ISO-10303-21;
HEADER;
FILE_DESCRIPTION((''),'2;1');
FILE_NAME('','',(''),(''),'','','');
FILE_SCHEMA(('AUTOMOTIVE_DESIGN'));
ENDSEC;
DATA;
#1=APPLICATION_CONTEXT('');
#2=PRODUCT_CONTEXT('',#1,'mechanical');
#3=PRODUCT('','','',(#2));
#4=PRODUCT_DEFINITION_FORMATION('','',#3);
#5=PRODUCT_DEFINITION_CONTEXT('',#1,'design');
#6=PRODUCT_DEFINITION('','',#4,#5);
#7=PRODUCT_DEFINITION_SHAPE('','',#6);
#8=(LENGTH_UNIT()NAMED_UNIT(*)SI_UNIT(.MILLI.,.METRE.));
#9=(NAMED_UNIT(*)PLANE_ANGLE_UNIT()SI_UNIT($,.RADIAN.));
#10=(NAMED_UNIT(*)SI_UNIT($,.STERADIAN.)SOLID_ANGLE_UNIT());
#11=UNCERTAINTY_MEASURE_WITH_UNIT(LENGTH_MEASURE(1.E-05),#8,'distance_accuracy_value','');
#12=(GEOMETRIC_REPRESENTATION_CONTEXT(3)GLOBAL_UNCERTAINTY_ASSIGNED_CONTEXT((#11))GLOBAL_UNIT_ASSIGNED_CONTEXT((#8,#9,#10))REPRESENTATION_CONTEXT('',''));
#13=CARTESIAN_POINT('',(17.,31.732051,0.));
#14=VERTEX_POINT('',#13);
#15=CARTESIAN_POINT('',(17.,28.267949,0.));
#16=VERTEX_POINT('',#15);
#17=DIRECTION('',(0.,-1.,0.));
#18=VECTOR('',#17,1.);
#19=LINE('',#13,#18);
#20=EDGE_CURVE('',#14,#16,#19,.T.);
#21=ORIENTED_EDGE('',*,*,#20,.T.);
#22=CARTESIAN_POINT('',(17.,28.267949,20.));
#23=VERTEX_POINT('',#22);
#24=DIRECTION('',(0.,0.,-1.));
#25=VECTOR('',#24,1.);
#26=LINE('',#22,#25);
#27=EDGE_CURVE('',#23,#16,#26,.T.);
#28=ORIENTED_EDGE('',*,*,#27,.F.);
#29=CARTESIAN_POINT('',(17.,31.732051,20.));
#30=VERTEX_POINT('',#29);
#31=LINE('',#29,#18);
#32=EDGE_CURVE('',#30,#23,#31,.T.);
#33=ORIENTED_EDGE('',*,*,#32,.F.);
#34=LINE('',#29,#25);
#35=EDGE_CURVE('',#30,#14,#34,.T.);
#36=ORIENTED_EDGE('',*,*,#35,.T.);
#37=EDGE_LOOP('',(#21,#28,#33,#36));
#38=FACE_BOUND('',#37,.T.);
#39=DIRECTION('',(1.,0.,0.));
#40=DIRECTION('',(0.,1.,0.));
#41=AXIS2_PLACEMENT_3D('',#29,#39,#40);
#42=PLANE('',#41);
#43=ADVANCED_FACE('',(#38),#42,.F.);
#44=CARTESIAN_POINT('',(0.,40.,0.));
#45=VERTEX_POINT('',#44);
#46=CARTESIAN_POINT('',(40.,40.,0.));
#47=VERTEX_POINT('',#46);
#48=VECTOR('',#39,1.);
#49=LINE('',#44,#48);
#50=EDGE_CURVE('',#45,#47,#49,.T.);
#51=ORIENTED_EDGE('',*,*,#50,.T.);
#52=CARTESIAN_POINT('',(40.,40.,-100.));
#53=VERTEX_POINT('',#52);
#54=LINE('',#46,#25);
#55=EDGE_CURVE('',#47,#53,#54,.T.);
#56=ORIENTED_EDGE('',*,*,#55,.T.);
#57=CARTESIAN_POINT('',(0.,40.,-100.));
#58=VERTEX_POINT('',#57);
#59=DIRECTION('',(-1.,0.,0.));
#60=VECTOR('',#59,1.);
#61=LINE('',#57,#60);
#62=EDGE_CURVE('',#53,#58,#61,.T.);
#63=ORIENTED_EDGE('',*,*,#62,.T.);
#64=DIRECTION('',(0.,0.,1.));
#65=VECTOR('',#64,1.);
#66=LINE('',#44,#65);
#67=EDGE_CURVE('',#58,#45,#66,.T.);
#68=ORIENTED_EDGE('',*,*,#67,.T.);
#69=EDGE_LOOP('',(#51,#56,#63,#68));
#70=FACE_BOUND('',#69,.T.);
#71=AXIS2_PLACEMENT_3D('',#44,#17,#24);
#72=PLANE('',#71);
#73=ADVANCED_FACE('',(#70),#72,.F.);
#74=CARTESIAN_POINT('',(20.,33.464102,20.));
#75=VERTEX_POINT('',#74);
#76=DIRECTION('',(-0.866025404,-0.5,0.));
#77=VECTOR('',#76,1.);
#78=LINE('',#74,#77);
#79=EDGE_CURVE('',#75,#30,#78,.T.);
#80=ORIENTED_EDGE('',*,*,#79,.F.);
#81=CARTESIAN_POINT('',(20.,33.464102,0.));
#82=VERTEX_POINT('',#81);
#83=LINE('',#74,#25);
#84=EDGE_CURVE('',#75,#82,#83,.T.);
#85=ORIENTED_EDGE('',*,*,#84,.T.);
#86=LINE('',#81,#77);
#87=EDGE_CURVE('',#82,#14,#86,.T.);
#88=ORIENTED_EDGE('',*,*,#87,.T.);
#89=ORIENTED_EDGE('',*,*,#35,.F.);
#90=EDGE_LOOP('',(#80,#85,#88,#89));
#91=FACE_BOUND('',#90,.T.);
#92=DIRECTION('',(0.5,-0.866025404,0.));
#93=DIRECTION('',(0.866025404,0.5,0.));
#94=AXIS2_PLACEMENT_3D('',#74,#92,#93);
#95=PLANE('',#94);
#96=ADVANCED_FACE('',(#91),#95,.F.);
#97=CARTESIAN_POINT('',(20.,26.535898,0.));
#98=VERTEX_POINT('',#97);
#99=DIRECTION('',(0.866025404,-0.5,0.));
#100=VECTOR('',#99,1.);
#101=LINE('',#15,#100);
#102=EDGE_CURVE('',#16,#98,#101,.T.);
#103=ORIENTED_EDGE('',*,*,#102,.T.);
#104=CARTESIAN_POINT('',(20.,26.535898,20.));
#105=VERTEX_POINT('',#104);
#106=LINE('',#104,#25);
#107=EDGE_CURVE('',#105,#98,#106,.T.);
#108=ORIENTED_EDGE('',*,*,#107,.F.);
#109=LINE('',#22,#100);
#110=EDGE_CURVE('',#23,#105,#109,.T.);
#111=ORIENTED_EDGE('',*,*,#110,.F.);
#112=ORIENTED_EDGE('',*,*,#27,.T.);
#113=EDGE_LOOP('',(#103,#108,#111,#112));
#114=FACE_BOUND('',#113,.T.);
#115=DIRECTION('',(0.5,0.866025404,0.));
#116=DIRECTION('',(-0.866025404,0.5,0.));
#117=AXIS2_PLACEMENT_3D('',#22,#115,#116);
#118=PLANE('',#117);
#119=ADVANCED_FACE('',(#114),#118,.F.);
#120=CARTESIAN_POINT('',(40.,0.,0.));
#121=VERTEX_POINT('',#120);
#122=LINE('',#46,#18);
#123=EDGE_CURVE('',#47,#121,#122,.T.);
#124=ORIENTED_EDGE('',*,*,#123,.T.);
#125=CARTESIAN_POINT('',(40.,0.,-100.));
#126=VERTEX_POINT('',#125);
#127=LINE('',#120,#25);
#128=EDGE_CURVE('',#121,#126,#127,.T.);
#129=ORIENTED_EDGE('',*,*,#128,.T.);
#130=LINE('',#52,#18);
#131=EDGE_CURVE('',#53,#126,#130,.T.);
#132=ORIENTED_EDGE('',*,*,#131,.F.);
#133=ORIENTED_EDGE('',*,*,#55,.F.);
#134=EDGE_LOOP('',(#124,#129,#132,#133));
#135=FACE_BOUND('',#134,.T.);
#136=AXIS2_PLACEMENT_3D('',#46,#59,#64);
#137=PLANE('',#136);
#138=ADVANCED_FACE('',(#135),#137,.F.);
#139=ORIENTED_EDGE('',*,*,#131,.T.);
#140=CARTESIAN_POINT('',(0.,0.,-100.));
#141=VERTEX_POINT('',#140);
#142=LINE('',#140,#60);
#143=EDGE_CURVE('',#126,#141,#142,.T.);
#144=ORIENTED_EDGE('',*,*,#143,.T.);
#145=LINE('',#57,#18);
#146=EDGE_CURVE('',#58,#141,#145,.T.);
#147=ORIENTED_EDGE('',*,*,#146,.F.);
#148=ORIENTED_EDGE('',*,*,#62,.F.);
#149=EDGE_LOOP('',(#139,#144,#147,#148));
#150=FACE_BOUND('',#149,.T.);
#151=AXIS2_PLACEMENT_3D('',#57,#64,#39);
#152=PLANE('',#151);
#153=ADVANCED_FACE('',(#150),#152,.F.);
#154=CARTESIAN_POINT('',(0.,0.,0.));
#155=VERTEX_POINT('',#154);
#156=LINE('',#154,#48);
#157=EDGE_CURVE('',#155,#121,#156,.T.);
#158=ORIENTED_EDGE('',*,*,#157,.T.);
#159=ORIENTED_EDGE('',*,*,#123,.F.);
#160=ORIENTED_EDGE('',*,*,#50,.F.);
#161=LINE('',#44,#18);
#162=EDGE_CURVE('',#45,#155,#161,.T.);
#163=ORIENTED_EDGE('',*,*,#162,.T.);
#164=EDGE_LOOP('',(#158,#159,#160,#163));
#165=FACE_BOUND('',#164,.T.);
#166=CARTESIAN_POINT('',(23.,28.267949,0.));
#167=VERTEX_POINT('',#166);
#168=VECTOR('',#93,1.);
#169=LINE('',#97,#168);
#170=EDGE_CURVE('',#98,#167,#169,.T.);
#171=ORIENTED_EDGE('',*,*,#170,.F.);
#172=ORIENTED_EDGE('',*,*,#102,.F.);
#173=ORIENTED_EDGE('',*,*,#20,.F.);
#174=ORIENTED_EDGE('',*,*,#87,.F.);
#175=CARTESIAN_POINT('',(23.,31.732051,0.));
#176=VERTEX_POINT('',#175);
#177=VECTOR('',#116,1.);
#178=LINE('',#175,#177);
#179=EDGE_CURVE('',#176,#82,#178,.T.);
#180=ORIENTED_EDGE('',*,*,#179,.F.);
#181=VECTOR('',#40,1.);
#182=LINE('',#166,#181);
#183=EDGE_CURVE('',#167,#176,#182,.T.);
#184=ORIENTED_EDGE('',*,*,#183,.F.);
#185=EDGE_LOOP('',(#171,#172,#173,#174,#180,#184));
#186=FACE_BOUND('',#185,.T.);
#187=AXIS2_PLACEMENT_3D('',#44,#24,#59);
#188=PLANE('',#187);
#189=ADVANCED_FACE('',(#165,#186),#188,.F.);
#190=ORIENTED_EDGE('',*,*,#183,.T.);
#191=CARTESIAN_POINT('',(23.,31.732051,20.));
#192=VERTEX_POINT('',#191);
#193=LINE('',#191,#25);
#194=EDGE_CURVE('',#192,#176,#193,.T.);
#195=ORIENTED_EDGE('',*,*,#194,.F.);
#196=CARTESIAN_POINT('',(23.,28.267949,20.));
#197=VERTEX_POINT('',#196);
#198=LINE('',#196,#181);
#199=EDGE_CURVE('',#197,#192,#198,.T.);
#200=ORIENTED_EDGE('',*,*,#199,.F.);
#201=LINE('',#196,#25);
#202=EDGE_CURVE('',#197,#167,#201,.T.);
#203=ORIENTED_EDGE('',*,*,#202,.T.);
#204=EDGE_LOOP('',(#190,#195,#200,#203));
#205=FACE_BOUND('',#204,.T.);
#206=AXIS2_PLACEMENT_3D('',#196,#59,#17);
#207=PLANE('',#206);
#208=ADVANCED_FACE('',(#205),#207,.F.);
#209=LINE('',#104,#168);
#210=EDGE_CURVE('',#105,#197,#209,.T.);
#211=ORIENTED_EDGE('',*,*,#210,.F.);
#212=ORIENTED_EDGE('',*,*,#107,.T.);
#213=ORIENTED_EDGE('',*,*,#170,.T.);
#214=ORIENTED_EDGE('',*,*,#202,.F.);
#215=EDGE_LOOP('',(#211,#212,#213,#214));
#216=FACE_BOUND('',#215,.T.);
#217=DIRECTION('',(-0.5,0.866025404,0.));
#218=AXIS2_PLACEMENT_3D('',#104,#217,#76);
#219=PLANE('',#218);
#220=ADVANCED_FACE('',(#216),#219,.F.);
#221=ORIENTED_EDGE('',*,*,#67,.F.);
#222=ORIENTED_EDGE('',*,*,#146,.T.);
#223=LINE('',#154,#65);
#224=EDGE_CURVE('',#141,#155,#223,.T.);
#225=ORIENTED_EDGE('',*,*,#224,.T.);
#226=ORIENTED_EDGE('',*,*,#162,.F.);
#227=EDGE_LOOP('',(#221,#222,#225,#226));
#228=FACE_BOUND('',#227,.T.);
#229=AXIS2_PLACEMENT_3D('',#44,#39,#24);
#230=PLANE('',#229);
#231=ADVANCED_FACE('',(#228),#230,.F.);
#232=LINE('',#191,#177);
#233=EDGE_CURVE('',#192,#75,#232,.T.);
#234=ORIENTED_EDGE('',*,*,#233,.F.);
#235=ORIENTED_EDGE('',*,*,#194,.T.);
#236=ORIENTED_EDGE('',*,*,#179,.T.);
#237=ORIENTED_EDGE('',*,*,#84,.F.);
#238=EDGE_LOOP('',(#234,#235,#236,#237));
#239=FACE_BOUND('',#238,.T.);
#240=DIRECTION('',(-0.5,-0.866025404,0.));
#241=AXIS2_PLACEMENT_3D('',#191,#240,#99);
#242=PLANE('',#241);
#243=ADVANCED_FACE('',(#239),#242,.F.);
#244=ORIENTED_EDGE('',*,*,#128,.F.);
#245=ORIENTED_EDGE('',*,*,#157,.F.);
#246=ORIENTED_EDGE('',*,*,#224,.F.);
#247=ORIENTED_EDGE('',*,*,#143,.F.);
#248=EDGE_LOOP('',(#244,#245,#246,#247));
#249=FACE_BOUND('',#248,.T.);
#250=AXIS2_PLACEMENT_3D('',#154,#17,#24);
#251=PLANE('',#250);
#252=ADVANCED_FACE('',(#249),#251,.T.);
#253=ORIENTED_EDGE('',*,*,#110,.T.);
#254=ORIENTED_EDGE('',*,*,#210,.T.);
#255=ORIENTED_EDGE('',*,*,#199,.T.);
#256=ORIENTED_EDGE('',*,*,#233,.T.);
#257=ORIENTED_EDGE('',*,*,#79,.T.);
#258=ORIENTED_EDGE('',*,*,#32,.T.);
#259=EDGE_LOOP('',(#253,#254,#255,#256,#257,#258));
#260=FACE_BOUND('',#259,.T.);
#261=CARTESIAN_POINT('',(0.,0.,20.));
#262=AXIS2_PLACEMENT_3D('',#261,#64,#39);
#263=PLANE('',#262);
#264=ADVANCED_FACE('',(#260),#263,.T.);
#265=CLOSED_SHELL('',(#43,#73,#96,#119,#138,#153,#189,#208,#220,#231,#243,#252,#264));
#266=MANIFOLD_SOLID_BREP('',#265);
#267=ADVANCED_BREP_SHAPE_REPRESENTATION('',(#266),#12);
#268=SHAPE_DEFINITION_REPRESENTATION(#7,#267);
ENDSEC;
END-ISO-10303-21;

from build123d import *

# Parameters (mm, degrees)
ESQUISSE1_W        = 40
ESQUISSE1_H        = 100
BOSS_EXTRU_1_DEPTH = 40
BOSS_EXTRU_2_DEPTH = 20


with BuildPart() as part:
    # Esquisse1 → Boss.-Extru.1 (new body)
    with BuildSketch(Plane(origin=(0, 0, 0), x_dir=(1, 0, 0), z_dir=(0, 1, 0))):
        with Locations((20, 50)):
            Rectangle(ESQUISSE1_W, ESQUISSE1_H)
    extrude(amount=BOSS_EXTRU_1_DEPTH)

    # Esquisse2 → Boss.-Extru.2 (add)
    with BuildSketch(Plane.XY):
        Polygon((23, 28.267949192), (23, 31.732050808), (20, 33.464101615), (17, 31.732050808), (17, 28.267949192), (20, 26.535898385), align=None)
    extrude(amount=BOSS_EXTRU_2_DEPTH)


solid = part.part
